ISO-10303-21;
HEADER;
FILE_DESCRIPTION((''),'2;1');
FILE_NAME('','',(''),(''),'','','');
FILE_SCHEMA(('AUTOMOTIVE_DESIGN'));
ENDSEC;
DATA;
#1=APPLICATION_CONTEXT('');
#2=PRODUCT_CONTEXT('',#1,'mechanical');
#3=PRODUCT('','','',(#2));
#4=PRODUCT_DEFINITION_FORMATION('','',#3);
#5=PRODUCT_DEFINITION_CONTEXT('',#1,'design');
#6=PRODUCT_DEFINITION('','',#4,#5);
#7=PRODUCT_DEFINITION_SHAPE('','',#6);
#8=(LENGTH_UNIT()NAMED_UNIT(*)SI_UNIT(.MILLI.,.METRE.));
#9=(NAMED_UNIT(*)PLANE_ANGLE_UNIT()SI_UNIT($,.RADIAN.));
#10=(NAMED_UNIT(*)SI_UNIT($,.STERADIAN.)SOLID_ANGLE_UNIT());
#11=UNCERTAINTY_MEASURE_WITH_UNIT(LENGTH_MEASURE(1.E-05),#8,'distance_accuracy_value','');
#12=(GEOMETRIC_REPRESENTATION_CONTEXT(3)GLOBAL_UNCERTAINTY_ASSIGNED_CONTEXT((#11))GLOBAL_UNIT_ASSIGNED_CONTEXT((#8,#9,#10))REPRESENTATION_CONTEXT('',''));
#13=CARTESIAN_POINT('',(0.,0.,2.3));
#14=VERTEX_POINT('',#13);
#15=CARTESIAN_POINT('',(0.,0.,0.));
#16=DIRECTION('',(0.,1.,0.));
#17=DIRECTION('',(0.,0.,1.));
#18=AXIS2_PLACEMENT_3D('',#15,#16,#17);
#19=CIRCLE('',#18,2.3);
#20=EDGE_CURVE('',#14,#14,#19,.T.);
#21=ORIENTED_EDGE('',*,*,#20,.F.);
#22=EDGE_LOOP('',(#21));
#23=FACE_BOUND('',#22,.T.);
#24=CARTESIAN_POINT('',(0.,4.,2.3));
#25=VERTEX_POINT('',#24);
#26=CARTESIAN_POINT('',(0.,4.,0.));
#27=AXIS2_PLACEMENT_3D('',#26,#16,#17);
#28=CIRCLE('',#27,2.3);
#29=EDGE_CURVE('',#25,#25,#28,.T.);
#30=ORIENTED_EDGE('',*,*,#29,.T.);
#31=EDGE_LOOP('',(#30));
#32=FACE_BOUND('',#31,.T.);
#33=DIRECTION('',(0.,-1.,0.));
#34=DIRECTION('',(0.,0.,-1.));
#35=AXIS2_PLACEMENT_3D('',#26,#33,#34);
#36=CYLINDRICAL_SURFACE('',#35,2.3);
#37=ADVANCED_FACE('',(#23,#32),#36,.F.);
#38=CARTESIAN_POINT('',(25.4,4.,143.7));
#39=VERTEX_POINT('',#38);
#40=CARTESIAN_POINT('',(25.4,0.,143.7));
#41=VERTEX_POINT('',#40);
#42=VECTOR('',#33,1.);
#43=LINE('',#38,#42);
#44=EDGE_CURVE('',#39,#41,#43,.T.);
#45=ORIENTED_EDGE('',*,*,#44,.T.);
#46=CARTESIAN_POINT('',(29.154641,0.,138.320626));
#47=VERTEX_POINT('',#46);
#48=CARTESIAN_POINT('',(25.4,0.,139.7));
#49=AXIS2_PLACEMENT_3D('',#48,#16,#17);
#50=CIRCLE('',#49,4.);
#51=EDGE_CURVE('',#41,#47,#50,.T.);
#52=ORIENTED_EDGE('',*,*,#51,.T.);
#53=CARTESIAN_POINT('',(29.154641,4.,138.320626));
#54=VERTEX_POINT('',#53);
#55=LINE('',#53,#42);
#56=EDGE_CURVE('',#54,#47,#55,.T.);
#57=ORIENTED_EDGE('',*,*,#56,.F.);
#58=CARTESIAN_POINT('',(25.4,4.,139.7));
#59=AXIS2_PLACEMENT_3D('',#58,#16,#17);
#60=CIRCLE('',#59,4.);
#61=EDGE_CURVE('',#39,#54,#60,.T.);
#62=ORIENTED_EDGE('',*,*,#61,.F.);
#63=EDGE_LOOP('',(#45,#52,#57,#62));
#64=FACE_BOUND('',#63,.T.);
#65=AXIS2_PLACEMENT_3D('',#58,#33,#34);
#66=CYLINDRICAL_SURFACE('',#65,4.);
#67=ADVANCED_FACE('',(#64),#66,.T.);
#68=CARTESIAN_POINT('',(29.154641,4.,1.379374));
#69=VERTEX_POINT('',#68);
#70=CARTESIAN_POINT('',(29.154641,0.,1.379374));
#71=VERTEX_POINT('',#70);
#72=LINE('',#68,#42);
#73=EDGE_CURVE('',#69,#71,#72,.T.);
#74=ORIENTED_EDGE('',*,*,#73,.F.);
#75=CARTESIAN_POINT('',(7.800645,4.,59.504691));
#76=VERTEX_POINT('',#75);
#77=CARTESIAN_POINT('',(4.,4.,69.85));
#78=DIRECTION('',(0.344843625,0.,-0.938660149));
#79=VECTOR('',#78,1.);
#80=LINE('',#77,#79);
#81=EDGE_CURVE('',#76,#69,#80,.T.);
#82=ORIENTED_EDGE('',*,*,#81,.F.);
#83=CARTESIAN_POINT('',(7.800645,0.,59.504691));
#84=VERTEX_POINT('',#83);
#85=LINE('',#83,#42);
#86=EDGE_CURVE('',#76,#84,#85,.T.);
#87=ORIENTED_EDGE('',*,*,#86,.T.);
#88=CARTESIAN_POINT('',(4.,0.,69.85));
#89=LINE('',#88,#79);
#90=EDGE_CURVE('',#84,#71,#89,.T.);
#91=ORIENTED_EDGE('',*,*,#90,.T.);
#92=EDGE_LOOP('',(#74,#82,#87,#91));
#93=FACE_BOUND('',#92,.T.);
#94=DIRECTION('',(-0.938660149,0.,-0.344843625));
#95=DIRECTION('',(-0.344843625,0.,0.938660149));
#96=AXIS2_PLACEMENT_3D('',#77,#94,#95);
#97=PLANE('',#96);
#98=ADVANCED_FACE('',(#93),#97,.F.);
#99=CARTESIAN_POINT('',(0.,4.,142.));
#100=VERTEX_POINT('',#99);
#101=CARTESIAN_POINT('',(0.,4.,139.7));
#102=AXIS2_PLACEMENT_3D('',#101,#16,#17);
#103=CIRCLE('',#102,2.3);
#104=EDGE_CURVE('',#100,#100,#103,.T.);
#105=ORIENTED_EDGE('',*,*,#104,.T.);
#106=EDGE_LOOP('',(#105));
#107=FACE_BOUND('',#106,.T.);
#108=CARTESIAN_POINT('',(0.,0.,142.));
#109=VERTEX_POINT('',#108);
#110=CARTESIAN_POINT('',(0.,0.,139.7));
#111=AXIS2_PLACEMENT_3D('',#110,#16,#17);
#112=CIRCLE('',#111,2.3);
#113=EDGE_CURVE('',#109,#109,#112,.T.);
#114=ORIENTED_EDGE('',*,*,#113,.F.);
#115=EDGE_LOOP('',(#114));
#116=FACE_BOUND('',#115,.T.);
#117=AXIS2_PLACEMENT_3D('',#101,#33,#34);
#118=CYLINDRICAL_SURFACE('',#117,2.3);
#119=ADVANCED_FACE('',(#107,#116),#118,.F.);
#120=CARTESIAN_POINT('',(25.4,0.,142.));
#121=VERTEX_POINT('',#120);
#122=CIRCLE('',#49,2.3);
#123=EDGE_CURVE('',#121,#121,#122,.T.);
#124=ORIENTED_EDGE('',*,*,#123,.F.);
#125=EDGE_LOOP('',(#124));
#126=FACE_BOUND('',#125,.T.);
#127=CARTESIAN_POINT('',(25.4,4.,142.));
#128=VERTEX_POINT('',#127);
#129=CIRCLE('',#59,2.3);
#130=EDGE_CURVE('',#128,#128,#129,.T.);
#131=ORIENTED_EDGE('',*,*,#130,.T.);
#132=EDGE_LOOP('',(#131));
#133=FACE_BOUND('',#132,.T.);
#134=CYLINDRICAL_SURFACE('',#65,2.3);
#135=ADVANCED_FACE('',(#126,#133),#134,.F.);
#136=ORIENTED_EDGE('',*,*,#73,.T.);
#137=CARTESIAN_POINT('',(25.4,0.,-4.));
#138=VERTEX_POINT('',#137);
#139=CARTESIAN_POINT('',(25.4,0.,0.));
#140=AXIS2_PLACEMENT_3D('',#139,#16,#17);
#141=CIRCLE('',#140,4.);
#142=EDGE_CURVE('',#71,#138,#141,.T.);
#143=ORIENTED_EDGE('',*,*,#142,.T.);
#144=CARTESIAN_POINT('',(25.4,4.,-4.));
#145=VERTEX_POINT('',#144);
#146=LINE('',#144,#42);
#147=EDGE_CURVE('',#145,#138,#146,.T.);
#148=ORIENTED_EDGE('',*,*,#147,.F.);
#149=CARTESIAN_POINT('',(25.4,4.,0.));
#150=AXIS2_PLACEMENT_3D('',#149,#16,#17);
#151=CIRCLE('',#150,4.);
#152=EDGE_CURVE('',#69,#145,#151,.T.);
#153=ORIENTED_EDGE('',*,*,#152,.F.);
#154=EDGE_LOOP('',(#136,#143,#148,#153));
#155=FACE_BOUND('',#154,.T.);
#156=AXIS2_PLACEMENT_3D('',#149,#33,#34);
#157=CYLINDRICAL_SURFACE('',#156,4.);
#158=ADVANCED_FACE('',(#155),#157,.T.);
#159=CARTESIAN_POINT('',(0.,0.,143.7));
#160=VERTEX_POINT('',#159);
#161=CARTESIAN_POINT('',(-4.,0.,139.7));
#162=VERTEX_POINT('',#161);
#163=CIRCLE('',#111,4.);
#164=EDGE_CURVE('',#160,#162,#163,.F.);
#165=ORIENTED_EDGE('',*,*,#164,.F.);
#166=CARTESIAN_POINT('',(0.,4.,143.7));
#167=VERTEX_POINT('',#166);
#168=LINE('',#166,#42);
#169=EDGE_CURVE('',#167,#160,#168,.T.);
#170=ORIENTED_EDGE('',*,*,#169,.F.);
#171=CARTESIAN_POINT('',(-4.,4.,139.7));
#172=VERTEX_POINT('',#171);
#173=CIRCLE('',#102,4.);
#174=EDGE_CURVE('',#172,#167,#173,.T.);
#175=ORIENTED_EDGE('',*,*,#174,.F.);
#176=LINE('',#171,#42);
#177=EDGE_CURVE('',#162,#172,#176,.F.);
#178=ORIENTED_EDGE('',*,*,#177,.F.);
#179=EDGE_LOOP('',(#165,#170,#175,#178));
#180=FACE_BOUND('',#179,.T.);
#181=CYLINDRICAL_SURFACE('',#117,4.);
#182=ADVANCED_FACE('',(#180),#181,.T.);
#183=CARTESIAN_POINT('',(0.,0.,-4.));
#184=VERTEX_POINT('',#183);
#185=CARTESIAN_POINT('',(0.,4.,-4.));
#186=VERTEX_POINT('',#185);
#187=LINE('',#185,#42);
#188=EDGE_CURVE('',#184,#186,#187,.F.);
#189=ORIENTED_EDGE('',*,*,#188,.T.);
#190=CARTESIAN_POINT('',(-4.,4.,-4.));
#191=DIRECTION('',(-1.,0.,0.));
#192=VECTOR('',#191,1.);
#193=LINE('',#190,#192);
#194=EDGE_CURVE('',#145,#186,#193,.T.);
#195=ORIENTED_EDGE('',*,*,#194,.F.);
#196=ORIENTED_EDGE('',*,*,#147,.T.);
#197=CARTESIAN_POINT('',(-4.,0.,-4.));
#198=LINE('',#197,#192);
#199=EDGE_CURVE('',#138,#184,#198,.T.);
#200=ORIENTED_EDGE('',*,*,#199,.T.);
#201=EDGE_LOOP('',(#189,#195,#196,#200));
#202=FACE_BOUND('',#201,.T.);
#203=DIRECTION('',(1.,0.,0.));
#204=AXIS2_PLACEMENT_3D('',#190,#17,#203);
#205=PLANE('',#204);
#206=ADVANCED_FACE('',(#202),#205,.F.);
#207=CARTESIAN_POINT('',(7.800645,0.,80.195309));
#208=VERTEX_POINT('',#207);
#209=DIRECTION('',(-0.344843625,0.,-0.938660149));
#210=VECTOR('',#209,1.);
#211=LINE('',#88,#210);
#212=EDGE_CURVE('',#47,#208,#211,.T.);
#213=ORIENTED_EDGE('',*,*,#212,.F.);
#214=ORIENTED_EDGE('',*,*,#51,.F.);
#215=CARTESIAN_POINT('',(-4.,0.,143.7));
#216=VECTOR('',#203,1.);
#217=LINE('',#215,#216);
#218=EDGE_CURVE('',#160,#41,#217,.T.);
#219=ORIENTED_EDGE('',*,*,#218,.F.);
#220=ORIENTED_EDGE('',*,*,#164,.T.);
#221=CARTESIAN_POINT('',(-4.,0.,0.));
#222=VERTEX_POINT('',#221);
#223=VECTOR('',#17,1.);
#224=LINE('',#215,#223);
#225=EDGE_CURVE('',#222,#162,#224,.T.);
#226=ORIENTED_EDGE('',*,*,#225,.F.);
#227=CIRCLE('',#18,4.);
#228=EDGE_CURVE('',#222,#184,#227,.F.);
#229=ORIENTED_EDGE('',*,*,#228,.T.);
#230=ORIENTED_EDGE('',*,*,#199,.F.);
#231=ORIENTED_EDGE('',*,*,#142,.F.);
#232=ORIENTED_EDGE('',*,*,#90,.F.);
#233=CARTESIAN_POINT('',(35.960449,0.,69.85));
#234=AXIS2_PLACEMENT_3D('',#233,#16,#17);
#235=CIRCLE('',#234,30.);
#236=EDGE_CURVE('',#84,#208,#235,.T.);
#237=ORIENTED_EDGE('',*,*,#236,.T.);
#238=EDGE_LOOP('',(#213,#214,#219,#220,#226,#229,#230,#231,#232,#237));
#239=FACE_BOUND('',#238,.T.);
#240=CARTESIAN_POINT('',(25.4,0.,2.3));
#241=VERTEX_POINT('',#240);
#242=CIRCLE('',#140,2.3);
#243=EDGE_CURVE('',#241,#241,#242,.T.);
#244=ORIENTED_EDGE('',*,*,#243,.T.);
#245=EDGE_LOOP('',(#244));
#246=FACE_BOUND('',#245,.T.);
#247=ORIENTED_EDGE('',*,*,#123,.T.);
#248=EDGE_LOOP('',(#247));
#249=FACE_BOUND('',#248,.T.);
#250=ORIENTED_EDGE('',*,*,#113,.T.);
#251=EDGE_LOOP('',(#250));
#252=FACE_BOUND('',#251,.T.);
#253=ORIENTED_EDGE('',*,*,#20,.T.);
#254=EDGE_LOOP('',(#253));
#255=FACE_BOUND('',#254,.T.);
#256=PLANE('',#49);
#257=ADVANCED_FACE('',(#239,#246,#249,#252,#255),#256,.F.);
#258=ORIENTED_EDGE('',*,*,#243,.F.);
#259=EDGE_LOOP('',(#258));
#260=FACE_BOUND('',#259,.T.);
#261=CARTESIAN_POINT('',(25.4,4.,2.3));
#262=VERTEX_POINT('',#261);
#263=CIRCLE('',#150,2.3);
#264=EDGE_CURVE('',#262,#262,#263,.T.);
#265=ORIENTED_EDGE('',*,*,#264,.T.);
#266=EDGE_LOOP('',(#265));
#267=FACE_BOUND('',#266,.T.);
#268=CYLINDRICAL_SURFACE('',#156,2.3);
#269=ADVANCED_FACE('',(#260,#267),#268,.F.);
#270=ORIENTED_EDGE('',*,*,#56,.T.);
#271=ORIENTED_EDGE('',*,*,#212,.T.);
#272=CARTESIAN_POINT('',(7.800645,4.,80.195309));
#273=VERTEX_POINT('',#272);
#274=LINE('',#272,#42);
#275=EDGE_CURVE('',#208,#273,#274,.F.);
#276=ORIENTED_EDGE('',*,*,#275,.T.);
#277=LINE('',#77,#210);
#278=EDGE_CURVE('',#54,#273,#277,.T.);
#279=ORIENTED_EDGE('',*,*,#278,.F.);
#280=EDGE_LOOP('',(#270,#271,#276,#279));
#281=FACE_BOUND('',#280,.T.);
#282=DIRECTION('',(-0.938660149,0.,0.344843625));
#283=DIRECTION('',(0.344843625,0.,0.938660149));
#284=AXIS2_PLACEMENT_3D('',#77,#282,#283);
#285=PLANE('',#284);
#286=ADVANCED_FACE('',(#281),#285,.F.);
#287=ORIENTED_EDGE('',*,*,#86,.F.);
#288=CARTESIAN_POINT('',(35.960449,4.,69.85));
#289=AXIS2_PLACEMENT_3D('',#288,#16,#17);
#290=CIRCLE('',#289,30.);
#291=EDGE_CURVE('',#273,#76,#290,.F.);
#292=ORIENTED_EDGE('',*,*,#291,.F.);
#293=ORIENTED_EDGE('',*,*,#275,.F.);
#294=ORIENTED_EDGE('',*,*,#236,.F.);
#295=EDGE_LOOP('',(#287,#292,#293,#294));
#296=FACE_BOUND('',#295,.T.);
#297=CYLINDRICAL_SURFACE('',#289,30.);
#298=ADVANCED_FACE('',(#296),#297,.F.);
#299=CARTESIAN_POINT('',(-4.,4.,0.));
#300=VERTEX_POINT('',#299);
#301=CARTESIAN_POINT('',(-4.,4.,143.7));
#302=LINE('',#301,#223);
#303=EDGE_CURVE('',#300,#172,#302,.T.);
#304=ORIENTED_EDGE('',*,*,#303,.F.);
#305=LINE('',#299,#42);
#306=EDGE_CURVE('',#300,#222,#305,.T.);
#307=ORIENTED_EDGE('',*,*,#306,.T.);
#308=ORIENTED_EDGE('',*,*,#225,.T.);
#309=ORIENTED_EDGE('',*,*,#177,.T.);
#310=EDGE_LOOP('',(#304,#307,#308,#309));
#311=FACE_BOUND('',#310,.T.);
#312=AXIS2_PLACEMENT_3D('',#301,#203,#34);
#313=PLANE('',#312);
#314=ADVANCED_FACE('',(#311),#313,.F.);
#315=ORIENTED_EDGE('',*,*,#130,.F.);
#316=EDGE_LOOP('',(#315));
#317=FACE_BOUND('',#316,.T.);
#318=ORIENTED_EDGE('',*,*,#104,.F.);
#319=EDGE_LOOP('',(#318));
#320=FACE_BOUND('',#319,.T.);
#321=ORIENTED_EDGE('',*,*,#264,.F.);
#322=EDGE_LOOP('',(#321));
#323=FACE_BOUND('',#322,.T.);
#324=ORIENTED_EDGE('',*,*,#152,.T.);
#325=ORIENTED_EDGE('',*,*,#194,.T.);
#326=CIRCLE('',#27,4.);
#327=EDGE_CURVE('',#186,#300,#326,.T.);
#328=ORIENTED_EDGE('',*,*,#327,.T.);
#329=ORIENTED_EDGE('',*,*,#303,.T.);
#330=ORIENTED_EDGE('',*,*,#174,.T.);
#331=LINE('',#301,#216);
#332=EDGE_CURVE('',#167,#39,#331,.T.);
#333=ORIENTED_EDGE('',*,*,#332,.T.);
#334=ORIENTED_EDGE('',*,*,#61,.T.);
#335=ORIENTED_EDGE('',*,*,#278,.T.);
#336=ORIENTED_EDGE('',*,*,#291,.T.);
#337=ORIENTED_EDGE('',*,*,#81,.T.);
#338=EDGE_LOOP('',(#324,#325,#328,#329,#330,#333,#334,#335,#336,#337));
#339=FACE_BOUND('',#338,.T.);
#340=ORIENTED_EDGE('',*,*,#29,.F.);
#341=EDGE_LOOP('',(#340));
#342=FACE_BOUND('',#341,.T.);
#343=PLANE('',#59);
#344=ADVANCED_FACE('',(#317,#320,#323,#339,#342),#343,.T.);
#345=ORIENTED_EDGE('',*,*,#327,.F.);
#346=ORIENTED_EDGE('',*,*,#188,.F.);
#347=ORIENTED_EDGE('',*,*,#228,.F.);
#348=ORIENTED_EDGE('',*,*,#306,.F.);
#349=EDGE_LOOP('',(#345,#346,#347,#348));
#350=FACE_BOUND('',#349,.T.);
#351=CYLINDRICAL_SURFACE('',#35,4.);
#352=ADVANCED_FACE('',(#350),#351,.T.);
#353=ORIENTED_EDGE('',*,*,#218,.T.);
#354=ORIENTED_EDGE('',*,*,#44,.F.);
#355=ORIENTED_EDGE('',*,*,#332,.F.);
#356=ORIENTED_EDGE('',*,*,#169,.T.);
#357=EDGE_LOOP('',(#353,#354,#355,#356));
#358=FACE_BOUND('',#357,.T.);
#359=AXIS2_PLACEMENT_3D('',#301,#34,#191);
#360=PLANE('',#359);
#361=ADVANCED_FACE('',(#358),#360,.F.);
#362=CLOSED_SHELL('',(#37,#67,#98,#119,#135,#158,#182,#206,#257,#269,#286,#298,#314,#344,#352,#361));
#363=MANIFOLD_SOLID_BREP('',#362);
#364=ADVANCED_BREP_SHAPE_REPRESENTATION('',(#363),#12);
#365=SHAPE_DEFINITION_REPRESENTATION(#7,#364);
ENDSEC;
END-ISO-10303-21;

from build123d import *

# Parameters (mm, degrees)
SKETCH1_R           = 2.3
BOSS_EXTRUDE2_DEPTH = 4
FILLET1_R           = 4
FILLET2_R           = 30


with BuildPart() as part:
    # Sketch1 → Boss-Extrude2 (new body)
    with BuildSketch(Plane(origin=(0, 0, 0), x_dir=(1, 0, 0), z_dir=(0, 1, 0))):
        with BuildLine():
            Line((-4, -143.7), (-4, 4))
            Line((-4, 4), (25.4, 4))
            ThreePointArc((25.4, 4), (28.6800532, 2.289377864), (29.154640594, -1.379374498))
            Line((29.154640594, -1.379374498), (4, -69.85))
            Line((4, -69.85), (29.154640594, -138.320625502))
            ThreePointArc((29.154640594, -138.320625502), (28.6800532, -141.989377864), (25.4, -143.7))
            Line((25.4, -143.7), (-4, -143.7))
        make_face()
        with Locations(Location((0, 0, 0), (0, 0, 270))):
            Circle(SKETCH1_R, mode=Mode.SUBTRACT)
        with Locations(Location((25.4, 0, 0), (0, 0, 270))):
            Circle(SKETCH1_R, mode=Mode.SUBTRACT)
        with Locations(Location((25.4, -139.7, 0), (0, 0, 270))):
            Circle(SKETCH1_R, mode=Mode.SUBTRACT)
        with Locations(Location((0, -139.7, 0), (0, 0, 270))):
            Circle(SKETCH1_R, mode=Mode.SUBTRACT)
    extrude(amount=BOSS_EXTRUDE2_DEPTH)

    # Fillet1
    fillet1_edges = [part.edges().sort_by_distance(p)[0] for p in [
        (-4, 2, 143.7),
        (-4, 2, -4),
    ]]
    fillet(fillet1_edges, radius=FILLET1_R)

    # Fillet2
    fillet2_edges = [part.edges().sort_by_distance(p)[0] for p in [
        (4, 2, 69.85),
    ]]
    fillet(fillet2_edges, radius=FILLET2_R)


solid = part.part
